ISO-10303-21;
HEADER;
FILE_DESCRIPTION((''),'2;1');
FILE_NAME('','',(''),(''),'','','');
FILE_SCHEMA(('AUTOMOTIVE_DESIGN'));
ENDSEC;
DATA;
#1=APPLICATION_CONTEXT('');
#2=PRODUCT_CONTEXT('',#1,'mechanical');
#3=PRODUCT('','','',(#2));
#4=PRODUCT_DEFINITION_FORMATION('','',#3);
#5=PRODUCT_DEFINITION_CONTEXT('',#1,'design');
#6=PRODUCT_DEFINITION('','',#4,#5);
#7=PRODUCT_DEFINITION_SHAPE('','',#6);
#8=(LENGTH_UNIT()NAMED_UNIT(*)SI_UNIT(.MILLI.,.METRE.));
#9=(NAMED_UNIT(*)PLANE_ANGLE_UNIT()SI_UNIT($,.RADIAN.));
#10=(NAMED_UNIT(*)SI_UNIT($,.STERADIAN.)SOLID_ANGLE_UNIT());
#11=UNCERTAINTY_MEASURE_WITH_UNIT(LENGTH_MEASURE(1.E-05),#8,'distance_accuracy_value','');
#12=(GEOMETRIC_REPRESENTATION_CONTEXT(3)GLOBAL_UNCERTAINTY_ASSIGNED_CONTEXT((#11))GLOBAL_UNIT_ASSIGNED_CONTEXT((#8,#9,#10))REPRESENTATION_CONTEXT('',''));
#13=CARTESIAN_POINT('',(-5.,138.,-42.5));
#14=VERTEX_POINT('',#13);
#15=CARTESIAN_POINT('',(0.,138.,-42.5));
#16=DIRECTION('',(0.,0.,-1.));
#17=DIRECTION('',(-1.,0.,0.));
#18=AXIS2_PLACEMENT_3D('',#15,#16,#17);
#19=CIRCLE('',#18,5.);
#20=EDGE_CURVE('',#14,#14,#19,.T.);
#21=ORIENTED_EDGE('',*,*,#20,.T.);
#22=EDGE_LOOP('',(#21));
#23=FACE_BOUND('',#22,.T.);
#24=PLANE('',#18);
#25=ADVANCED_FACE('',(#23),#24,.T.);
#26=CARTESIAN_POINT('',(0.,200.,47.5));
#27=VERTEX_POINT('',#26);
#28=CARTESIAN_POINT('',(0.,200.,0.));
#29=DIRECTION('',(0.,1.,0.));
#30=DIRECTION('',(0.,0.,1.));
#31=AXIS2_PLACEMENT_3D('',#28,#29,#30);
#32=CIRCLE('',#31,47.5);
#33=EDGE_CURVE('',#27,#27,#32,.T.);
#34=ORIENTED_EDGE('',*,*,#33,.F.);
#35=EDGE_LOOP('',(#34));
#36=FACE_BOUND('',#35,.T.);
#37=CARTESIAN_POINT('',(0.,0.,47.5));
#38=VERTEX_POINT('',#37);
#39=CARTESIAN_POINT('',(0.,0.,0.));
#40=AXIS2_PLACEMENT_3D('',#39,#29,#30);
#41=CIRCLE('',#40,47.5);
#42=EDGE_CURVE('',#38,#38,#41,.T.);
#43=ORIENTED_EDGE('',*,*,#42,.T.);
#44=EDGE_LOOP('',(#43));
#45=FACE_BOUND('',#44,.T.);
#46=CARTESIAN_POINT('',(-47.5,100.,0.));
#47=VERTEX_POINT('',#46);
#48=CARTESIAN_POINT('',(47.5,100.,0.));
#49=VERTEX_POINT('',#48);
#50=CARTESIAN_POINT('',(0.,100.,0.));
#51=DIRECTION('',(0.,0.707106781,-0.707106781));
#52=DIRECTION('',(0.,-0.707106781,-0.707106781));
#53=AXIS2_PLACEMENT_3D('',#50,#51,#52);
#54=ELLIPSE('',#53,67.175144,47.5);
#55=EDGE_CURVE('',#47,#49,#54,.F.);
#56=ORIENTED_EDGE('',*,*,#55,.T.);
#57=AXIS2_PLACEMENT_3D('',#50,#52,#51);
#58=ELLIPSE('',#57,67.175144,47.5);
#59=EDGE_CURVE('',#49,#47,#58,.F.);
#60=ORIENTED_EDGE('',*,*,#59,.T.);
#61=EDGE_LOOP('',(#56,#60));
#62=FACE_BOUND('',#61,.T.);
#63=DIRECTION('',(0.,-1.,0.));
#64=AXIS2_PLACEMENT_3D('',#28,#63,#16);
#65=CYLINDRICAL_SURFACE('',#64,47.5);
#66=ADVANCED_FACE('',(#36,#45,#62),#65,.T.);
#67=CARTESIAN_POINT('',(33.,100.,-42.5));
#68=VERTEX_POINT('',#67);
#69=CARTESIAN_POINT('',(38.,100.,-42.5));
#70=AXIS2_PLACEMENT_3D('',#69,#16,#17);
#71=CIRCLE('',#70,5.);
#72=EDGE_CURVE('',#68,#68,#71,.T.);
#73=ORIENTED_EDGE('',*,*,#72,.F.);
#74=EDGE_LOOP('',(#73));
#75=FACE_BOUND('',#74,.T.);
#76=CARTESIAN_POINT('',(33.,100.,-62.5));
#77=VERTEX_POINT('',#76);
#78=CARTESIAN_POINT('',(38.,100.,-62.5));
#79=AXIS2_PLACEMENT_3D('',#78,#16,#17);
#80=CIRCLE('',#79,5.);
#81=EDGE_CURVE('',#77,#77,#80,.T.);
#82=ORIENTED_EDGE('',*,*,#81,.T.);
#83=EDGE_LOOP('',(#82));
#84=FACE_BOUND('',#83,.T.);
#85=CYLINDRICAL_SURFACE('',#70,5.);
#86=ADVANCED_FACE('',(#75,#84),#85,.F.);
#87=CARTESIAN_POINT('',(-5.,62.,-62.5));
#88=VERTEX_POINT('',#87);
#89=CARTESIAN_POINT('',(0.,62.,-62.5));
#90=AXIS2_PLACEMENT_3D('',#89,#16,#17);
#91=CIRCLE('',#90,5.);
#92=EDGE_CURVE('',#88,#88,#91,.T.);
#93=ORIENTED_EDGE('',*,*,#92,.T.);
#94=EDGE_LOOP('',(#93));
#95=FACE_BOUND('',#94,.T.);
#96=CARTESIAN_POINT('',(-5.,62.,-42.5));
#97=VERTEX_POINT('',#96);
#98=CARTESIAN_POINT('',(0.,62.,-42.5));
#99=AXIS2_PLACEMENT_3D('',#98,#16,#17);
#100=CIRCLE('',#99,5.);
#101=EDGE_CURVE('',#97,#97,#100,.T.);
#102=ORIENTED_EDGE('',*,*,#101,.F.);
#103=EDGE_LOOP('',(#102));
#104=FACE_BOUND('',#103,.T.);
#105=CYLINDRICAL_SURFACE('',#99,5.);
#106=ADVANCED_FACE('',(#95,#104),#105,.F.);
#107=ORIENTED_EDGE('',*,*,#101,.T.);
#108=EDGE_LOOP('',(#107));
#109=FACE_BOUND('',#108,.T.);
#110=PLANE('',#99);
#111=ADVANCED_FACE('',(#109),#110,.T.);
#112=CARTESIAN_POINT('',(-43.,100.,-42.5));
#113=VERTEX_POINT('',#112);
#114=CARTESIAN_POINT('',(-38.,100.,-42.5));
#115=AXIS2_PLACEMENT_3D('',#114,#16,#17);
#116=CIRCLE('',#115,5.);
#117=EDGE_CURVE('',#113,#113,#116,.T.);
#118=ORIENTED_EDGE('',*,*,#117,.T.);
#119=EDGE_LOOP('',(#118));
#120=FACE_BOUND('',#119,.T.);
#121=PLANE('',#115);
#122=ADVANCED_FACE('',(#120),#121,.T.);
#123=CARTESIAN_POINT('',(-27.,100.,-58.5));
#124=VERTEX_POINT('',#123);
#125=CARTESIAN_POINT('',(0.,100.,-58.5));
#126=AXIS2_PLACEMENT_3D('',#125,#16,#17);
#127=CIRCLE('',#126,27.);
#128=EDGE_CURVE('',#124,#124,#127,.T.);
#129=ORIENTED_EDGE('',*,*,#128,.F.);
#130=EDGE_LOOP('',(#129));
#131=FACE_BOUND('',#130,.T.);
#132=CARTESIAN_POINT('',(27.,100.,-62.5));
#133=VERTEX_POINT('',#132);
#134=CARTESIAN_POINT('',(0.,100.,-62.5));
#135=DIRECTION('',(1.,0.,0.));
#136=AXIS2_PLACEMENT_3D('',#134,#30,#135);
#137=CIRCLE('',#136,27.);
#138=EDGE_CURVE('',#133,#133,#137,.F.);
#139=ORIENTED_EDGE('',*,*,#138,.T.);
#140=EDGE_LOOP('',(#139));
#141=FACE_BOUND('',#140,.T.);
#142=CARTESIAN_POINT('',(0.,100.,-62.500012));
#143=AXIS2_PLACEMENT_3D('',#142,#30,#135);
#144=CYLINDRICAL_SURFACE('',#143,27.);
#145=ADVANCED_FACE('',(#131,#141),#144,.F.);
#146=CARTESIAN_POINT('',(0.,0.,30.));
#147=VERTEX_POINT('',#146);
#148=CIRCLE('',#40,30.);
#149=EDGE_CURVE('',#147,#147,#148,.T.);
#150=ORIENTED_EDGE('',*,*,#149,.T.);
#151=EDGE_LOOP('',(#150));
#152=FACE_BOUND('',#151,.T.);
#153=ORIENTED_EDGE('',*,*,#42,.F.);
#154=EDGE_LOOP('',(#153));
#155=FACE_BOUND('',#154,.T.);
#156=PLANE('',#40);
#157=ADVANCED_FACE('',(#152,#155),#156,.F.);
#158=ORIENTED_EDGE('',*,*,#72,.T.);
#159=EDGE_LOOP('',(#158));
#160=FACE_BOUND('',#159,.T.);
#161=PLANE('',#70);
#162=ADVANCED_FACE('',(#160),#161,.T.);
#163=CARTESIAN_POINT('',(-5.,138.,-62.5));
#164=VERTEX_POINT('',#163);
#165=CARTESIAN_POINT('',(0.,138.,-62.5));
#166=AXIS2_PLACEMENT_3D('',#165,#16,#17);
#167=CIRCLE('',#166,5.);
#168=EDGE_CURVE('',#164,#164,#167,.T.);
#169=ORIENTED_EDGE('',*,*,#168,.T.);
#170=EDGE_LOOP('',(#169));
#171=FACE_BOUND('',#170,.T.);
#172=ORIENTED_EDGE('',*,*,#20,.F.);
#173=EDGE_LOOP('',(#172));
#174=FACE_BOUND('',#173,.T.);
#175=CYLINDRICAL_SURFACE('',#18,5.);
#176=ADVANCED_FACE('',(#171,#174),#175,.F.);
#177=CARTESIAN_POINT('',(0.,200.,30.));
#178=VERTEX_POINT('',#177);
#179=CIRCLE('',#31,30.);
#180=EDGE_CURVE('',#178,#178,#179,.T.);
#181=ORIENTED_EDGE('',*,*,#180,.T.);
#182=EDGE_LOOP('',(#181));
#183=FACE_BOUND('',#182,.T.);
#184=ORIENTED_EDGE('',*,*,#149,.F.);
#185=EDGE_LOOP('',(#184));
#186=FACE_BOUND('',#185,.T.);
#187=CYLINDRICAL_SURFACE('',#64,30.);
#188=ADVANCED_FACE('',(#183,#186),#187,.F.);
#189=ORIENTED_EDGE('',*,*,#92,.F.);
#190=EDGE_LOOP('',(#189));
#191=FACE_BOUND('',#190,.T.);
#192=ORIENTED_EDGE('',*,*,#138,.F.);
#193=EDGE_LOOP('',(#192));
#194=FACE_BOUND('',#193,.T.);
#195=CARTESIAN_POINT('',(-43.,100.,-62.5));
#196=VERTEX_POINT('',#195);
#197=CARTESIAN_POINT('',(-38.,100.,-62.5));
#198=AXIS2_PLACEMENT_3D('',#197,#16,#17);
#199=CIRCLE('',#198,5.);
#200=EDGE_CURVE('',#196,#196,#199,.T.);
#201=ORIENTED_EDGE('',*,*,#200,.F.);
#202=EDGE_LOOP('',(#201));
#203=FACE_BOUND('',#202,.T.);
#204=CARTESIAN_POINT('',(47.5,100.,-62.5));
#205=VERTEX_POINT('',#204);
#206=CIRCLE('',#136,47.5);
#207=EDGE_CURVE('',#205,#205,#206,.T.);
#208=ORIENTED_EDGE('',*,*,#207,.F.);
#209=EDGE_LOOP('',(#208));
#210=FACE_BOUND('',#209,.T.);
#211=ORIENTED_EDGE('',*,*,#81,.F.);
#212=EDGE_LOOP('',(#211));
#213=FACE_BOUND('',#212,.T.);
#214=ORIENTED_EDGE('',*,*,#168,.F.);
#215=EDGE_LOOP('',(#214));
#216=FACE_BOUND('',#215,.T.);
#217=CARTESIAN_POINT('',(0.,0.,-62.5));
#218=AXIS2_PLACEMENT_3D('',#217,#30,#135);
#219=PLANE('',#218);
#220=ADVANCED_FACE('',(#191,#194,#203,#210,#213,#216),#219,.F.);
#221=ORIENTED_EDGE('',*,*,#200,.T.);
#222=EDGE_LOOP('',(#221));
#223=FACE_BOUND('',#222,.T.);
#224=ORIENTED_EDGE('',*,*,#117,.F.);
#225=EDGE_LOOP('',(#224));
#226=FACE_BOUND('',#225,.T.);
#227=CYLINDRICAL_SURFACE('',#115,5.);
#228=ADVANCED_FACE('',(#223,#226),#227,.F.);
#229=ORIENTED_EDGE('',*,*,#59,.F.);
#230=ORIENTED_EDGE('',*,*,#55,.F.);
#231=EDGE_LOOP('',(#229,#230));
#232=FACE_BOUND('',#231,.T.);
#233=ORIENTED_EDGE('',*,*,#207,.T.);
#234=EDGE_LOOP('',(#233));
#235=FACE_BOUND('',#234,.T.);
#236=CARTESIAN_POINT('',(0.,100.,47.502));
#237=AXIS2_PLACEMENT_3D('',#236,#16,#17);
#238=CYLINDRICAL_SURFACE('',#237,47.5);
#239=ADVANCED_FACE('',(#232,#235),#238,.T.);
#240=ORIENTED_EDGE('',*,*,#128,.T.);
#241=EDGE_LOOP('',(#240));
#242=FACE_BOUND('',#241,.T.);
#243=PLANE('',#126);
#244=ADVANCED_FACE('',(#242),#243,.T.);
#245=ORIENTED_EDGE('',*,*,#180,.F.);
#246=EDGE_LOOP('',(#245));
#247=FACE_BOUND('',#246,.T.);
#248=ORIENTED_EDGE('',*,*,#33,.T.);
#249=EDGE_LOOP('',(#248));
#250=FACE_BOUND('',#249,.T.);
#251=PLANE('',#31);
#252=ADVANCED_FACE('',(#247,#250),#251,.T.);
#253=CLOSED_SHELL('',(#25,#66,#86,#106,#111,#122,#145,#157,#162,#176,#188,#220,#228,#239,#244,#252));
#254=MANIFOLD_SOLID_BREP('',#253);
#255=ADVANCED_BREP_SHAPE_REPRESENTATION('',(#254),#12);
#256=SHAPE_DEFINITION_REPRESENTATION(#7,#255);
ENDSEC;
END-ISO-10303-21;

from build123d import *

# Parameters (mm, degrees)
SKETCH1_R               = 47.5
SKETCH1_R_2             = 30
BOSS_EXTRUDE1_DEPTH     = 200
BOSS_EXTRUDE2_REACH     = 112
SKETCH2_R               = 27
SKETCH2_R_2             = 47.5
SKETCH3_R               = 27
CUT_EXTRUDE1_DEPTH      = 1
CUT_EXTRUDE1_DEPTH_BACK = 4
SKETCH4_R               = 5
CUT_EXTRUDE2_DEPTH      = 20


with BuildPart() as part:
    # Sketch1 → Boss-Extrude1 (new body)
    with BuildSketch(Plane(origin=(0, 0, 0), x_dir=(1, 0, 0), z_dir=(0, 1, 0))):
        Circle(SKETCH1_R)
        Circle(SKETCH1_R_2, mode=Mode.SUBTRACT)
    extrude(amount=BOSS_EXTRUDE1_DEPTH)

    # Sketch2 → Boss-Extrude2 (add, up to next)
    with BuildSketch(Plane.XY.offset(-62.5), mode=Mode.PRIVATE) as boss_extrude2_sk1:
        with Locations((0, 100)):
            Circle(SKETCH2_R)
    boss_extrude2_tool1 = extrude(boss_extrude2_sk1.sketch, amount=BOSS_EXTRUDE2_REACH, mode=Mode.PRIVATE) - part.part
    add(boss_extrude2_tool1.solids().sort_by_distance((0, 100, -62.5))[0])
    # Sketch2 → Boss-Extrude2 (add, up to next)
    with BuildSketch(Plane.XY.offset(-62.5), mode=Mode.PRIVATE) as boss_extrude2_sk2:
        with Locations((0, 100)):
            Circle(SKETCH2_R_2)
        with Locations((0, 100)):
            Circle(SKETCH2_R, mode=Mode.SUBTRACT)
    boss_extrude2_tool2 = extrude(boss_extrude2_sk2.sketch, amount=BOSS_EXTRUDE2_REACH, mode=Mode.PRIVATE) - part.part
    add(boss_extrude2_tool2.solids().sort_by_distance((-46.156497, 100, -62.5))[0])

    # Sketch3 → Cut-Extrude1 (cut, two sides)
    with BuildSketch(Plane(origin=(0, 0, -62.5), x_dir=(-1, 0, 0), z_dir=(0, 0, -1))) as cut_extrude1_sk:
        with Locations((0, 100)):
            Circle(SKETCH3_R)
    extrude(amount=CUT_EXTRUDE1_DEPTH, mode=Mode.SUBTRACT)
    extrude(cut_extrude1_sk.sketch, amount=-CUT_EXTRUDE1_DEPTH_BACK, mode=Mode.SUBTRACT)

    # Sketch4 → Cut-Extrude2 (cut)
    with BuildSketch(Plane(origin=(0, 0, -62.5), x_dir=(-1, 0, 0), z_dir=(0, 0, -1))):
        with Locations((0, 138)):
            Circle(SKETCH4_R)
        with Locations((38, 100)):
            Circle(SKETCH4_R)
        with Locations((0, 62)):
            Circle(SKETCH4_R)
        with Locations((-38, 100)):
            Circle(SKETCH4_R)
    extrude(amount=-CUT_EXTRUDE2_DEPTH, mode=Mode.SUBTRACT)


solid = part.part
